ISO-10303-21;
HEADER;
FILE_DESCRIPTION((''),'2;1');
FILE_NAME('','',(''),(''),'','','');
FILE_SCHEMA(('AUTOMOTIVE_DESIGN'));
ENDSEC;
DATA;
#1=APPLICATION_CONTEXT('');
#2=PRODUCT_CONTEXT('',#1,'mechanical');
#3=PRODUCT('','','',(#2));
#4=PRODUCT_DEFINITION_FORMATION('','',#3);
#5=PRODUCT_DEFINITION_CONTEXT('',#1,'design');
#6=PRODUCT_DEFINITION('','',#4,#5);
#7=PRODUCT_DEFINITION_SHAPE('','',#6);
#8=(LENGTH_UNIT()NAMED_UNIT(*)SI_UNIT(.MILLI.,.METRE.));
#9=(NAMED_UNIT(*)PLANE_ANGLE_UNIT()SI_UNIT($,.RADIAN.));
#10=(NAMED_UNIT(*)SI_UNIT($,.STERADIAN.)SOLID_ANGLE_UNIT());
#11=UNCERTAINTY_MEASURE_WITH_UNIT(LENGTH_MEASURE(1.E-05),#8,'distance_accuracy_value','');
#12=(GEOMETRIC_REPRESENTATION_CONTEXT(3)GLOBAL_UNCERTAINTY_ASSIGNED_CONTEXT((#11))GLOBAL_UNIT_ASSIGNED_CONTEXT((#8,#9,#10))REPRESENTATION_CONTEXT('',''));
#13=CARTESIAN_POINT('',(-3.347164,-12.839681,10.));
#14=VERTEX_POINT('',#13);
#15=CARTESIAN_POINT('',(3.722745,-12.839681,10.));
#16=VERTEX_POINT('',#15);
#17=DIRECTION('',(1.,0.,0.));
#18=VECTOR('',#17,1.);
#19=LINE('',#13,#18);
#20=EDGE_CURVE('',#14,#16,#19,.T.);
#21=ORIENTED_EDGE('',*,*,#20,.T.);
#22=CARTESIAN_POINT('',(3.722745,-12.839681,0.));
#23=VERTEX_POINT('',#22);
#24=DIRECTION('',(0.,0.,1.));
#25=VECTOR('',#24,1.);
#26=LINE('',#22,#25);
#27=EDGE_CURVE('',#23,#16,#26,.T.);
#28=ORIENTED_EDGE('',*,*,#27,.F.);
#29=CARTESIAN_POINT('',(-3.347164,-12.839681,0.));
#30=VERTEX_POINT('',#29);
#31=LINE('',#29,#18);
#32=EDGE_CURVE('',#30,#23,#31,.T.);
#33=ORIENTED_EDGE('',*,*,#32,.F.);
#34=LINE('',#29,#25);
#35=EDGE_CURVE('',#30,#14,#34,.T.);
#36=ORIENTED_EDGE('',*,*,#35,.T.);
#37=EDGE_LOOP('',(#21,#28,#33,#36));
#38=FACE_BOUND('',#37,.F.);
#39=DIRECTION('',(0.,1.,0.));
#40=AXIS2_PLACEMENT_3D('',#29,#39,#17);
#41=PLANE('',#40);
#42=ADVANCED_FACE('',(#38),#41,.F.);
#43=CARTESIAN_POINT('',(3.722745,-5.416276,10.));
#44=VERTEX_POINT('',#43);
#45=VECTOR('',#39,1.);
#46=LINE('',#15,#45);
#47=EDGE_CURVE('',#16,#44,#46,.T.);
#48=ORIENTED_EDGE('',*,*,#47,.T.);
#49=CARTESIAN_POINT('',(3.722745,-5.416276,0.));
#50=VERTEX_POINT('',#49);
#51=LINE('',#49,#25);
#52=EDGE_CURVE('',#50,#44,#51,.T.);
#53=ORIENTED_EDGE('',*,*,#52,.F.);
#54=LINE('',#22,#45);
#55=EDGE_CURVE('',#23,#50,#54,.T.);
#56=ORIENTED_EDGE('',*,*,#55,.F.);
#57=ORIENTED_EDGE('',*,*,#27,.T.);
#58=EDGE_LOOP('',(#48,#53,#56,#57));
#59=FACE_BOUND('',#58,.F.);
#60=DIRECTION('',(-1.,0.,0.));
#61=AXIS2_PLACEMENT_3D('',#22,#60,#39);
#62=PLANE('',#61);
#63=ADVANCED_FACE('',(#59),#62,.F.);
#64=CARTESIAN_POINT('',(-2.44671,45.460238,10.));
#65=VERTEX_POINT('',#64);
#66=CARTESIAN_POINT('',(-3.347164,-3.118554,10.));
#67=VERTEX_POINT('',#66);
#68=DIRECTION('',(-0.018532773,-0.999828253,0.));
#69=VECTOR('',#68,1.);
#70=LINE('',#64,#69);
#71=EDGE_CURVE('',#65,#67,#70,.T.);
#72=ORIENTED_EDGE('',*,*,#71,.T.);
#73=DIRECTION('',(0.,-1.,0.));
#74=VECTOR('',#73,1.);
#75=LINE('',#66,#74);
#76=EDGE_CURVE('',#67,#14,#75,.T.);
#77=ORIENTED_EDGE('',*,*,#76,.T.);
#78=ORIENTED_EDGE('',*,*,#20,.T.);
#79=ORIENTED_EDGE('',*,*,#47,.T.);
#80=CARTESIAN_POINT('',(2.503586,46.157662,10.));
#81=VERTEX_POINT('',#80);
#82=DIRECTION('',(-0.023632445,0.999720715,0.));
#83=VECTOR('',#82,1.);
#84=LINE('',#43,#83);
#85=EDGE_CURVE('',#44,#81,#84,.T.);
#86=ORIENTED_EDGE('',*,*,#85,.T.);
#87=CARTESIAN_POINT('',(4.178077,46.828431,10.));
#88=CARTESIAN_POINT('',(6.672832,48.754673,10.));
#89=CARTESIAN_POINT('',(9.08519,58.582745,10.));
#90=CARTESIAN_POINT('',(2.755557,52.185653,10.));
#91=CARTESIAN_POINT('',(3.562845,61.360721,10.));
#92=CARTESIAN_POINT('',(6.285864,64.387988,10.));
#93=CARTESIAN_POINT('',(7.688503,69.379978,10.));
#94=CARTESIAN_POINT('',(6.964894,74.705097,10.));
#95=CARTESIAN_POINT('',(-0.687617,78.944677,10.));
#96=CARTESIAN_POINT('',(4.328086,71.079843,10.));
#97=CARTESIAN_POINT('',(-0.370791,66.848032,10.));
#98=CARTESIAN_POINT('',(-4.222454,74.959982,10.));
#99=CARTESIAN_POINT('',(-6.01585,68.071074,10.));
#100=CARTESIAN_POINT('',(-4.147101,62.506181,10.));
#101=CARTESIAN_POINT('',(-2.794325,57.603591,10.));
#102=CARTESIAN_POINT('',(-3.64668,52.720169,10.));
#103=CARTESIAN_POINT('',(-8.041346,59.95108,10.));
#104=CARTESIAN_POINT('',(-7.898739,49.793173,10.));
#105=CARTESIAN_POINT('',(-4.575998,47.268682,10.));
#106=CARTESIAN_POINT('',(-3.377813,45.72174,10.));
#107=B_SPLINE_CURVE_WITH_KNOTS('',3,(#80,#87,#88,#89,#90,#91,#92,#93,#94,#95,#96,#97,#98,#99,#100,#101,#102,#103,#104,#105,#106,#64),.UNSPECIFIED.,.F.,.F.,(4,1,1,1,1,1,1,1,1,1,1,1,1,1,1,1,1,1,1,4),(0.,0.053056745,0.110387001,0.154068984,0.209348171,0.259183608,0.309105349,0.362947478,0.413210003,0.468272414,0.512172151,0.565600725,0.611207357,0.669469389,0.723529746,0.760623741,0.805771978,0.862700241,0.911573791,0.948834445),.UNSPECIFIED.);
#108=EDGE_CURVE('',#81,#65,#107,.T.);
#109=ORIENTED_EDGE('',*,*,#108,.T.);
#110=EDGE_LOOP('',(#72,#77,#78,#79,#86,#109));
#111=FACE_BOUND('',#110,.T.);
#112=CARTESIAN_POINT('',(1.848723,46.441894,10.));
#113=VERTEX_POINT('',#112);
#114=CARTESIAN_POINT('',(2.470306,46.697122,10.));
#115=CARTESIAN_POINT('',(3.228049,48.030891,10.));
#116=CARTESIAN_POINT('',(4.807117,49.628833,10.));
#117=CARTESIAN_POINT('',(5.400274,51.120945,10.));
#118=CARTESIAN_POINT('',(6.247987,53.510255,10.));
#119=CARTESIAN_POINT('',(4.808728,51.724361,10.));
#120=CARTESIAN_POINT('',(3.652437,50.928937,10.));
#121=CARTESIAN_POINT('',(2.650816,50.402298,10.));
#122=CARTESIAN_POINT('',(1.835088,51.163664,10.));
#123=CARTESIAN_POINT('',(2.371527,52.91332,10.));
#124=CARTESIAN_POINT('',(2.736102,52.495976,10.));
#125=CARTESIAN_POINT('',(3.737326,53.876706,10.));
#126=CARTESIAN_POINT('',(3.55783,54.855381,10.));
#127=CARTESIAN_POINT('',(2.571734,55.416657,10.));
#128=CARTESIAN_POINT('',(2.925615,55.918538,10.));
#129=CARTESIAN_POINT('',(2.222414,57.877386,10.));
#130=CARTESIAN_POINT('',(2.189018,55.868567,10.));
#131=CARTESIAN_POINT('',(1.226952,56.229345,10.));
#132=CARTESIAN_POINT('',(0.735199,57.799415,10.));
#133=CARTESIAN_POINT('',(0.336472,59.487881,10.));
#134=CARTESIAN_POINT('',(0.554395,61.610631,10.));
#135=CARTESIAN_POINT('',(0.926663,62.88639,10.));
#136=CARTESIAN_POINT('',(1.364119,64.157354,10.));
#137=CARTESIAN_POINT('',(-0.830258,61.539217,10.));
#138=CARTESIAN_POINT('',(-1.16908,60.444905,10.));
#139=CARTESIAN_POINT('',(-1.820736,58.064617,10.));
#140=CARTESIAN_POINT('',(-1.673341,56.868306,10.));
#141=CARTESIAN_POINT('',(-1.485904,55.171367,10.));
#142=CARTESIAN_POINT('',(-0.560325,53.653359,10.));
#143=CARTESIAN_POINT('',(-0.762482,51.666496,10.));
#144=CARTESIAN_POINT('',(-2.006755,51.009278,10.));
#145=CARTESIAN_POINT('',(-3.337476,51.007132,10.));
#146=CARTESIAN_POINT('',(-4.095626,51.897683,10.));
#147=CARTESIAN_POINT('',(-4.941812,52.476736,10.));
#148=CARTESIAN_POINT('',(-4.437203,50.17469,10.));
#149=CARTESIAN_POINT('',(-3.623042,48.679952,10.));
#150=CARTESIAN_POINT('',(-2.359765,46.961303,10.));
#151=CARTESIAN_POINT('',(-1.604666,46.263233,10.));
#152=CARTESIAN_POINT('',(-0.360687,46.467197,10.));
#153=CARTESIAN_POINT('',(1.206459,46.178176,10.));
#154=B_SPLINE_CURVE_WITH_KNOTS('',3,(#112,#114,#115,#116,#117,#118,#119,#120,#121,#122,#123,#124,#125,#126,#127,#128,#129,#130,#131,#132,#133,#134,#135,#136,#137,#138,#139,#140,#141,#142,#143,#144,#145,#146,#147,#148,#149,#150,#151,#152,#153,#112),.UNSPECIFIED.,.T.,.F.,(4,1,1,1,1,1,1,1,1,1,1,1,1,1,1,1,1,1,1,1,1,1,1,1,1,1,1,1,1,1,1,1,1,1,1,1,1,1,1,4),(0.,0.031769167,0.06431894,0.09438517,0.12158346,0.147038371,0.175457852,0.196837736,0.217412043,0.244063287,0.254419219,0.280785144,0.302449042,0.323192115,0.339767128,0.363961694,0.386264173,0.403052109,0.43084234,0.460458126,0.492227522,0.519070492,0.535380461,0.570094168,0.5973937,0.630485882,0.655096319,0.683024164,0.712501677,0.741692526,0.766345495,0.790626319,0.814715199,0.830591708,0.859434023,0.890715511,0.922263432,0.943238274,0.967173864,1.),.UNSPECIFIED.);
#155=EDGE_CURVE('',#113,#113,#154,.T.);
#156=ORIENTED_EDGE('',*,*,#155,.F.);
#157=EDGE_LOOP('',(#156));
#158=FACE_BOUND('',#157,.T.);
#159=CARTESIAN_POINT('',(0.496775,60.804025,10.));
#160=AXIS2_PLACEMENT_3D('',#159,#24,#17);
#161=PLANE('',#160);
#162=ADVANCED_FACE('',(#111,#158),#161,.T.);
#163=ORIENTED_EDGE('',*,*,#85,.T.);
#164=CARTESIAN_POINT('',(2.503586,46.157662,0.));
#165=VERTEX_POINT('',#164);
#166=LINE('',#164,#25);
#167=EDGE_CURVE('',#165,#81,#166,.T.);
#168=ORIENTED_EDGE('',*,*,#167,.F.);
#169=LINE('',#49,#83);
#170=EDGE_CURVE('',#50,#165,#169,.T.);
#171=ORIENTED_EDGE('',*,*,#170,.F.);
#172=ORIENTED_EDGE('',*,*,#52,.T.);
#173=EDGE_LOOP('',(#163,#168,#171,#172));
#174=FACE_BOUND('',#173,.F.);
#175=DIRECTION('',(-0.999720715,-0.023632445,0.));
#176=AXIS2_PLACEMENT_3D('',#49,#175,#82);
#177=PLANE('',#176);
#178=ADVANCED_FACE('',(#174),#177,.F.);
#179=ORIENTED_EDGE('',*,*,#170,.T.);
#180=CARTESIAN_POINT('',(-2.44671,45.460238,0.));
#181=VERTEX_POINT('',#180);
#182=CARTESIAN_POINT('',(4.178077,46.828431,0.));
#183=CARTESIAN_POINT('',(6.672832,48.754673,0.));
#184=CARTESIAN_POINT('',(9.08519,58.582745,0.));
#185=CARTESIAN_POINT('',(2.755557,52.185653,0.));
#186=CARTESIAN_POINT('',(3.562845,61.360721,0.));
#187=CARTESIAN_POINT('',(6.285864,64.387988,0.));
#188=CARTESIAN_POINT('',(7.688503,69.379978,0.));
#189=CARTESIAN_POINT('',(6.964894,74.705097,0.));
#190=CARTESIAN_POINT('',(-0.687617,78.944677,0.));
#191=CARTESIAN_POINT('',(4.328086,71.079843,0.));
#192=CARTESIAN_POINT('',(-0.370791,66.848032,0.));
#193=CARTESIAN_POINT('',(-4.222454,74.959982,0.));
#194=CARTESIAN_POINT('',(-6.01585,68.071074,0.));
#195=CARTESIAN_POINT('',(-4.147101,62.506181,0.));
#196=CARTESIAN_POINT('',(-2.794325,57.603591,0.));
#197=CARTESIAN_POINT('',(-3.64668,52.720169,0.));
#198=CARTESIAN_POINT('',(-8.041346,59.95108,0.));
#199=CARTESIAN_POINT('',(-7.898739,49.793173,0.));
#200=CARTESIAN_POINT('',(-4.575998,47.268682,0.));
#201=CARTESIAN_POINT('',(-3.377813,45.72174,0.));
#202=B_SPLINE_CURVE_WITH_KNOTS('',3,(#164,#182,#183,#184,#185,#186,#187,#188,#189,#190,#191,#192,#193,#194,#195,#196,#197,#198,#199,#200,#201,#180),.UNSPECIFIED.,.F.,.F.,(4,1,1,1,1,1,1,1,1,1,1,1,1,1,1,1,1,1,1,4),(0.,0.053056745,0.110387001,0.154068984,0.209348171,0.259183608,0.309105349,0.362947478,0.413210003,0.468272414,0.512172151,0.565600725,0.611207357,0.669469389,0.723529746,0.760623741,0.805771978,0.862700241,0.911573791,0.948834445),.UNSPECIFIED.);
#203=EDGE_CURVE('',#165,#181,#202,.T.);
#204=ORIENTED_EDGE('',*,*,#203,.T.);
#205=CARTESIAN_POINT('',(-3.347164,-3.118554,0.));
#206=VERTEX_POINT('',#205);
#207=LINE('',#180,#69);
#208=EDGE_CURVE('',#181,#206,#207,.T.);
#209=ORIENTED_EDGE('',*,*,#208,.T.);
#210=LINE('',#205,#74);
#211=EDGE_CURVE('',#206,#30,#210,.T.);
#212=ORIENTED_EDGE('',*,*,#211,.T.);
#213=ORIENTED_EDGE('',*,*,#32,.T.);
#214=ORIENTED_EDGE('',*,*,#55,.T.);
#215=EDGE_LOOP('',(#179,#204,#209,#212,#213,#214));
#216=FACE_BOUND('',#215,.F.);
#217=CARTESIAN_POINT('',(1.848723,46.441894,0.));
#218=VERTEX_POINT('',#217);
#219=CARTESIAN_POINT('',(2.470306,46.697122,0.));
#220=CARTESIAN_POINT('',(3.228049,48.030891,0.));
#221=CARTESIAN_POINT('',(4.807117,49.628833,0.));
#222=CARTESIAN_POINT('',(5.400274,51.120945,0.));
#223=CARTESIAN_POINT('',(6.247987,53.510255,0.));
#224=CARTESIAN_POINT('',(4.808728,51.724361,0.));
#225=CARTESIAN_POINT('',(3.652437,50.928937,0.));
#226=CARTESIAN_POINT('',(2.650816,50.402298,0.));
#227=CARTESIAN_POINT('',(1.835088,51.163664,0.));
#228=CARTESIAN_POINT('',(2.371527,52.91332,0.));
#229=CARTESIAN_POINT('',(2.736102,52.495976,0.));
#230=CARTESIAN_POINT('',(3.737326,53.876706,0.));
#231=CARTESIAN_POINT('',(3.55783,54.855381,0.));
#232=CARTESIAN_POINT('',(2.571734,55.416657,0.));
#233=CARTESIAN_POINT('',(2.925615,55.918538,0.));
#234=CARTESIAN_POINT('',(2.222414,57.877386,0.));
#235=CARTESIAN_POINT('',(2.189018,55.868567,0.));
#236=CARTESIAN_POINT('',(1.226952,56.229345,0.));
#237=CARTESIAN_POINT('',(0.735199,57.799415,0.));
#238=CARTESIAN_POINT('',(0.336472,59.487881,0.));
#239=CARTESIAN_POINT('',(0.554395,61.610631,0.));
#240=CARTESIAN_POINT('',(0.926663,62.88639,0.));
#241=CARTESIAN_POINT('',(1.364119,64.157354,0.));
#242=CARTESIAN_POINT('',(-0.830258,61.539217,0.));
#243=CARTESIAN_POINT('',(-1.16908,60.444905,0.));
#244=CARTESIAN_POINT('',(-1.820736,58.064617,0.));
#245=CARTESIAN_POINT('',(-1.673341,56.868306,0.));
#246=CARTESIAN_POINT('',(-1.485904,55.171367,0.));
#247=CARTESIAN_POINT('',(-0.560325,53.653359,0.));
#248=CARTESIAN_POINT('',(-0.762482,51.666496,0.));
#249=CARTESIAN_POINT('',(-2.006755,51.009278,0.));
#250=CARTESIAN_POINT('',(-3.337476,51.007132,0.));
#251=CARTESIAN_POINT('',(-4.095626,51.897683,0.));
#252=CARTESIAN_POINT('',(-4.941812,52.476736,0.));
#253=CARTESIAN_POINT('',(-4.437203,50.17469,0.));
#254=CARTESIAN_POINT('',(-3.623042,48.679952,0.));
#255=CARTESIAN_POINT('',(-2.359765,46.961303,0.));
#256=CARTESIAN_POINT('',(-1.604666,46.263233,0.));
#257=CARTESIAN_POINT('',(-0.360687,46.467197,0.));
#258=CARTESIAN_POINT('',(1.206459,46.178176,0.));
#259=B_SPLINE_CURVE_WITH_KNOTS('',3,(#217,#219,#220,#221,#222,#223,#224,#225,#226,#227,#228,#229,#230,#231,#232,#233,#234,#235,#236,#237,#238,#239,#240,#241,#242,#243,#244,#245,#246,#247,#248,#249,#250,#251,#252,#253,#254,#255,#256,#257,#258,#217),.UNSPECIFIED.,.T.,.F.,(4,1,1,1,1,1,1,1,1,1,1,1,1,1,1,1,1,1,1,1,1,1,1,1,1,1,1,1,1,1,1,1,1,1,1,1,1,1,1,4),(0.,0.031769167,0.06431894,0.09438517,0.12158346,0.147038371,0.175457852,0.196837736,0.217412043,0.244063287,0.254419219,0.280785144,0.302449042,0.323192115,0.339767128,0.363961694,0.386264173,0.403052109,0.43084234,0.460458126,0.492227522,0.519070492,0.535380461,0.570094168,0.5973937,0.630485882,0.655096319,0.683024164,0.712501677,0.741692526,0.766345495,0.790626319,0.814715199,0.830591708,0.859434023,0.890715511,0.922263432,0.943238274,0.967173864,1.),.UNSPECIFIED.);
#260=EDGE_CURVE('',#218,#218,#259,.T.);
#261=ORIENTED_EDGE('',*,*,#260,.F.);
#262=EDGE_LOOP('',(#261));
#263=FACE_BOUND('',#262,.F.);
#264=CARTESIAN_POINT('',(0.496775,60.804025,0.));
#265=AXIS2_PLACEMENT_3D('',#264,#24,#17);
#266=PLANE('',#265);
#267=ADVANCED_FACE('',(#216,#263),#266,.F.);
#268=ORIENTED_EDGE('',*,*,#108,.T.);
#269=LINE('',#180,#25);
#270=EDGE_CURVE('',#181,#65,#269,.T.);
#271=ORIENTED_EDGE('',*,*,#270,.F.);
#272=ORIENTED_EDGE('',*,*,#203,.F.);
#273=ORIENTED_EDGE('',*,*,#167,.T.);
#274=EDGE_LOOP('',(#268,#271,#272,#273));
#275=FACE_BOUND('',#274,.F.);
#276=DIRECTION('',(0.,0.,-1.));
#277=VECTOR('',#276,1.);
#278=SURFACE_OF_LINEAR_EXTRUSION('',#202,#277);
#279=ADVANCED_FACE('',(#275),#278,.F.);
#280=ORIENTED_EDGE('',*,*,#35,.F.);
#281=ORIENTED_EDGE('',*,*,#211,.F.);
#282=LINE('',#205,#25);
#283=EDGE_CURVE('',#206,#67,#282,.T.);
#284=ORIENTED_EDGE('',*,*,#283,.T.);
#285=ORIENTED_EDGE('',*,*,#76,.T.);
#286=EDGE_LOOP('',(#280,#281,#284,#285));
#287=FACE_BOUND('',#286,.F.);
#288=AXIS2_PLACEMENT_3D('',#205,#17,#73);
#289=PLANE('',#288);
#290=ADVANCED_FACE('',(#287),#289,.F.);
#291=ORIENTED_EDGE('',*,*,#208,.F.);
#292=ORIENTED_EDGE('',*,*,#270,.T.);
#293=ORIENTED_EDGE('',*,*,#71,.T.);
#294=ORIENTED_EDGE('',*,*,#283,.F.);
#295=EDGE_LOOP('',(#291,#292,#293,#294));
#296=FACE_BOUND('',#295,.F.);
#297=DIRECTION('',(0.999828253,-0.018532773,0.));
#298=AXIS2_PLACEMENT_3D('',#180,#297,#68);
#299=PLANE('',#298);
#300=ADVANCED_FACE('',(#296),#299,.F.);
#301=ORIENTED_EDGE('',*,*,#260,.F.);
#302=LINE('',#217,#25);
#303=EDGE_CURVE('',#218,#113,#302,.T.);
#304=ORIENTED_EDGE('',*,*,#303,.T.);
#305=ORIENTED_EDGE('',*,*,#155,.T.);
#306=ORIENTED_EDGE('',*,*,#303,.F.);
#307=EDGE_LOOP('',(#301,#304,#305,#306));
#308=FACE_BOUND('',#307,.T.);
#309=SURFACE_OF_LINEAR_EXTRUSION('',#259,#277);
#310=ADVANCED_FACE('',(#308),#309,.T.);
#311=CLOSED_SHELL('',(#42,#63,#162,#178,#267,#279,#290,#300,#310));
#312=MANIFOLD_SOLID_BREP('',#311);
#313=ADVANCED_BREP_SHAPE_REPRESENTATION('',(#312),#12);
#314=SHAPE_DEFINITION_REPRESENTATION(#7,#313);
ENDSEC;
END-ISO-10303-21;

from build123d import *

# Parameters (mm, degrees)
F1_DEPTH = 10


with BuildPart() as f1:
    # F0 (on Top) → F1 (new body)
    with BuildSketch(Plane.XY):
        with BuildLine():
            add(Edge.make_bspline(
                [(-2.4467097393, 45.4602381564), (-1.1681387616, 45.1011488958), (0.8887820936, 45.5108024268), (2.5035862248, 46.1576622322)],
                knots=[0.9488344452, 0.9488344452, 0.9488344452, 0.9488344452, 1, 1, 1, 1], degree=3))
            add(Edge.make_bspline(
                [(2.5035862248, 46.1576622322), (4.17807702, 46.8284313795), (6.6728324665, 48.754673344), (9.0851898126, 58.5827448216), (2.7555572908, 52.1856527817), (3.5628448438, 61.3607207389), (6.28586413, 64.38798847), (7.6885034097, 69.3799780041), (6.964894393, 74.7050973329), (-0.6876167398, 78.9446767136), (4.328086389, 71.0798431066), (-0.3707907805, 66.8480317284), (-4.2224535878, 74.9599820996), (-6.0158499698, 68.0710739231), (-4.1471011696, 62.5061809555), (-2.7943246403, 57.6035911955), (-3.64668041, 52.7201694038), (-8.0413458324, 59.9510800684), (-7.8987385312, 49.7931725565), (-4.5759980208, 47.2686817867), (-3.3778125219, 45.7217402674), (-2.4467097393, 45.4602381564)],
                knots=[0, 0, 0, 0, 0.0530567447, 0.110387001, 0.1540689835, 0.2093481711, 0.2591836085, 0.3091053493, 0.362947478, 0.4132100032, 0.4682724137, 0.5121721509, 0.5656007249, 0.6112073571, 0.6694693889, 0.7235297461, 0.7606237414, 0.8057719778, 0.8627002405, 0.9115737915, 0.9488344452, 0.9488344452, 0.9488344452, 0.9488344452], degree=3))
        make_face()
        with BuildLine():
            add(Edge.make_bspline(
                [(1.8487228095, 46.4418944251), (2.4703061535, 46.6971216244), (3.2280492316, 48.0308911965), (4.8071165662, 49.628833356), (5.4002744225, 51.1209449081), (6.2479873943, 53.5102553528), (4.8087283151, 51.7243612394), (3.6524366521, 50.9289366773), (2.650815548, 50.4022983339), (1.8350881744, 51.1636636802), (2.3715270972, 52.9133195469), (2.7361018864, 52.4959758935), (3.737325905, 53.8767058604), (3.5578297146, 54.8553806561), (2.5717343585, 55.4166573025), (2.9256147824, 55.9185379351), (2.2224144487, 57.877386092), (2.1890177729, 55.8685671817), (1.2269517682, 56.2293453456), (0.7351988243, 57.7994146946), (0.3364720684, 59.4878806635), (0.5543948323, 61.6106310947), (0.9266625054, 62.8863900436), (1.3641187074, 64.1573542659), (-0.8302579832, 61.5392168189), (-1.1690797383, 60.4449048227), (-1.8207360282, 58.0646166091), (-1.6733411551, 56.8683059591), (-1.4859043955, 55.1713670292), (-0.5603253469, 53.6533589055), (-0.7624818789, 51.6664964734), (-2.0067547409, 51.0092780932), (-3.3374762063, 51.0071322367), (-4.0956264857, 51.8976833282), (-4.9418115747, 52.4767364646), (-4.4372034057, 50.1746898931), (-3.6230417883, 48.6799520923), (-2.3597654839, 46.96130317), (-1.6046662707, 46.2632333341), (-0.360686836, 46.4671972227), (1.206459212, 46.1781757448), (1.8487228095, 46.4418944251)],
                knots=[0, 0, 0, 0, 0.0317691669, 0.0643189403, 0.0943851697, 0.1215834603, 0.1470383711, 0.1754578515, 0.1968377358, 0.2174120431, 0.244063287, 0.2544192188, 0.280785144, 0.3024490417, 0.3231921147, 0.339767128, 0.3639616936, 0.3862641728, 0.4030521088, 0.4308423405, 0.4604581256, 0.4922275218, 0.5190704922, 0.5353804611, 0.5700941678, 0.5973936999, 0.6304858823, 0.6550963188, 0.6830241644, 0.7125016771, 0.7416925265, 0.7663454952, 0.7906263195, 0.8147151992, 0.8305917083, 0.8594340227, 0.8907155111, 0.9222634324, 0.9432382738, 0.9671738639, 1, 1, 1, 1], degree=3))
        make_face(mode=Mode.SUBTRACT)
        with BuildLine():
            Line((3.7227449914, -5.4162761049), (2.5035862248, 46.1576622322))
            add(Edge.make_bspline(
                [(-2.4467097393, 45.4602381564), (-1.1681387616, 45.1011488958), (0.8887820936, 45.5108024268), (2.5035862248, 46.1576622322)],
                knots=[0.9488344452, 0.9488344452, 0.9488344452, 0.9488344452, 1, 1, 1, 1], degree=3))
            Line((-2.4467097393, 45.4602381564), (-3.3471641462, -3.1185544266))
            Line((-3.3471641462, -3.1185544266), (-3.3471641462, -12.8396812334))
            Line((-3.3471641462, -12.8396812334), (3.7227449914, -12.8396812334))
            Line((3.7227449914, -12.8396812334), (3.7227449914, -5.4162761049))
        make_face()
    extrude(amount=F1_DEPTH)


solid = f1.part
